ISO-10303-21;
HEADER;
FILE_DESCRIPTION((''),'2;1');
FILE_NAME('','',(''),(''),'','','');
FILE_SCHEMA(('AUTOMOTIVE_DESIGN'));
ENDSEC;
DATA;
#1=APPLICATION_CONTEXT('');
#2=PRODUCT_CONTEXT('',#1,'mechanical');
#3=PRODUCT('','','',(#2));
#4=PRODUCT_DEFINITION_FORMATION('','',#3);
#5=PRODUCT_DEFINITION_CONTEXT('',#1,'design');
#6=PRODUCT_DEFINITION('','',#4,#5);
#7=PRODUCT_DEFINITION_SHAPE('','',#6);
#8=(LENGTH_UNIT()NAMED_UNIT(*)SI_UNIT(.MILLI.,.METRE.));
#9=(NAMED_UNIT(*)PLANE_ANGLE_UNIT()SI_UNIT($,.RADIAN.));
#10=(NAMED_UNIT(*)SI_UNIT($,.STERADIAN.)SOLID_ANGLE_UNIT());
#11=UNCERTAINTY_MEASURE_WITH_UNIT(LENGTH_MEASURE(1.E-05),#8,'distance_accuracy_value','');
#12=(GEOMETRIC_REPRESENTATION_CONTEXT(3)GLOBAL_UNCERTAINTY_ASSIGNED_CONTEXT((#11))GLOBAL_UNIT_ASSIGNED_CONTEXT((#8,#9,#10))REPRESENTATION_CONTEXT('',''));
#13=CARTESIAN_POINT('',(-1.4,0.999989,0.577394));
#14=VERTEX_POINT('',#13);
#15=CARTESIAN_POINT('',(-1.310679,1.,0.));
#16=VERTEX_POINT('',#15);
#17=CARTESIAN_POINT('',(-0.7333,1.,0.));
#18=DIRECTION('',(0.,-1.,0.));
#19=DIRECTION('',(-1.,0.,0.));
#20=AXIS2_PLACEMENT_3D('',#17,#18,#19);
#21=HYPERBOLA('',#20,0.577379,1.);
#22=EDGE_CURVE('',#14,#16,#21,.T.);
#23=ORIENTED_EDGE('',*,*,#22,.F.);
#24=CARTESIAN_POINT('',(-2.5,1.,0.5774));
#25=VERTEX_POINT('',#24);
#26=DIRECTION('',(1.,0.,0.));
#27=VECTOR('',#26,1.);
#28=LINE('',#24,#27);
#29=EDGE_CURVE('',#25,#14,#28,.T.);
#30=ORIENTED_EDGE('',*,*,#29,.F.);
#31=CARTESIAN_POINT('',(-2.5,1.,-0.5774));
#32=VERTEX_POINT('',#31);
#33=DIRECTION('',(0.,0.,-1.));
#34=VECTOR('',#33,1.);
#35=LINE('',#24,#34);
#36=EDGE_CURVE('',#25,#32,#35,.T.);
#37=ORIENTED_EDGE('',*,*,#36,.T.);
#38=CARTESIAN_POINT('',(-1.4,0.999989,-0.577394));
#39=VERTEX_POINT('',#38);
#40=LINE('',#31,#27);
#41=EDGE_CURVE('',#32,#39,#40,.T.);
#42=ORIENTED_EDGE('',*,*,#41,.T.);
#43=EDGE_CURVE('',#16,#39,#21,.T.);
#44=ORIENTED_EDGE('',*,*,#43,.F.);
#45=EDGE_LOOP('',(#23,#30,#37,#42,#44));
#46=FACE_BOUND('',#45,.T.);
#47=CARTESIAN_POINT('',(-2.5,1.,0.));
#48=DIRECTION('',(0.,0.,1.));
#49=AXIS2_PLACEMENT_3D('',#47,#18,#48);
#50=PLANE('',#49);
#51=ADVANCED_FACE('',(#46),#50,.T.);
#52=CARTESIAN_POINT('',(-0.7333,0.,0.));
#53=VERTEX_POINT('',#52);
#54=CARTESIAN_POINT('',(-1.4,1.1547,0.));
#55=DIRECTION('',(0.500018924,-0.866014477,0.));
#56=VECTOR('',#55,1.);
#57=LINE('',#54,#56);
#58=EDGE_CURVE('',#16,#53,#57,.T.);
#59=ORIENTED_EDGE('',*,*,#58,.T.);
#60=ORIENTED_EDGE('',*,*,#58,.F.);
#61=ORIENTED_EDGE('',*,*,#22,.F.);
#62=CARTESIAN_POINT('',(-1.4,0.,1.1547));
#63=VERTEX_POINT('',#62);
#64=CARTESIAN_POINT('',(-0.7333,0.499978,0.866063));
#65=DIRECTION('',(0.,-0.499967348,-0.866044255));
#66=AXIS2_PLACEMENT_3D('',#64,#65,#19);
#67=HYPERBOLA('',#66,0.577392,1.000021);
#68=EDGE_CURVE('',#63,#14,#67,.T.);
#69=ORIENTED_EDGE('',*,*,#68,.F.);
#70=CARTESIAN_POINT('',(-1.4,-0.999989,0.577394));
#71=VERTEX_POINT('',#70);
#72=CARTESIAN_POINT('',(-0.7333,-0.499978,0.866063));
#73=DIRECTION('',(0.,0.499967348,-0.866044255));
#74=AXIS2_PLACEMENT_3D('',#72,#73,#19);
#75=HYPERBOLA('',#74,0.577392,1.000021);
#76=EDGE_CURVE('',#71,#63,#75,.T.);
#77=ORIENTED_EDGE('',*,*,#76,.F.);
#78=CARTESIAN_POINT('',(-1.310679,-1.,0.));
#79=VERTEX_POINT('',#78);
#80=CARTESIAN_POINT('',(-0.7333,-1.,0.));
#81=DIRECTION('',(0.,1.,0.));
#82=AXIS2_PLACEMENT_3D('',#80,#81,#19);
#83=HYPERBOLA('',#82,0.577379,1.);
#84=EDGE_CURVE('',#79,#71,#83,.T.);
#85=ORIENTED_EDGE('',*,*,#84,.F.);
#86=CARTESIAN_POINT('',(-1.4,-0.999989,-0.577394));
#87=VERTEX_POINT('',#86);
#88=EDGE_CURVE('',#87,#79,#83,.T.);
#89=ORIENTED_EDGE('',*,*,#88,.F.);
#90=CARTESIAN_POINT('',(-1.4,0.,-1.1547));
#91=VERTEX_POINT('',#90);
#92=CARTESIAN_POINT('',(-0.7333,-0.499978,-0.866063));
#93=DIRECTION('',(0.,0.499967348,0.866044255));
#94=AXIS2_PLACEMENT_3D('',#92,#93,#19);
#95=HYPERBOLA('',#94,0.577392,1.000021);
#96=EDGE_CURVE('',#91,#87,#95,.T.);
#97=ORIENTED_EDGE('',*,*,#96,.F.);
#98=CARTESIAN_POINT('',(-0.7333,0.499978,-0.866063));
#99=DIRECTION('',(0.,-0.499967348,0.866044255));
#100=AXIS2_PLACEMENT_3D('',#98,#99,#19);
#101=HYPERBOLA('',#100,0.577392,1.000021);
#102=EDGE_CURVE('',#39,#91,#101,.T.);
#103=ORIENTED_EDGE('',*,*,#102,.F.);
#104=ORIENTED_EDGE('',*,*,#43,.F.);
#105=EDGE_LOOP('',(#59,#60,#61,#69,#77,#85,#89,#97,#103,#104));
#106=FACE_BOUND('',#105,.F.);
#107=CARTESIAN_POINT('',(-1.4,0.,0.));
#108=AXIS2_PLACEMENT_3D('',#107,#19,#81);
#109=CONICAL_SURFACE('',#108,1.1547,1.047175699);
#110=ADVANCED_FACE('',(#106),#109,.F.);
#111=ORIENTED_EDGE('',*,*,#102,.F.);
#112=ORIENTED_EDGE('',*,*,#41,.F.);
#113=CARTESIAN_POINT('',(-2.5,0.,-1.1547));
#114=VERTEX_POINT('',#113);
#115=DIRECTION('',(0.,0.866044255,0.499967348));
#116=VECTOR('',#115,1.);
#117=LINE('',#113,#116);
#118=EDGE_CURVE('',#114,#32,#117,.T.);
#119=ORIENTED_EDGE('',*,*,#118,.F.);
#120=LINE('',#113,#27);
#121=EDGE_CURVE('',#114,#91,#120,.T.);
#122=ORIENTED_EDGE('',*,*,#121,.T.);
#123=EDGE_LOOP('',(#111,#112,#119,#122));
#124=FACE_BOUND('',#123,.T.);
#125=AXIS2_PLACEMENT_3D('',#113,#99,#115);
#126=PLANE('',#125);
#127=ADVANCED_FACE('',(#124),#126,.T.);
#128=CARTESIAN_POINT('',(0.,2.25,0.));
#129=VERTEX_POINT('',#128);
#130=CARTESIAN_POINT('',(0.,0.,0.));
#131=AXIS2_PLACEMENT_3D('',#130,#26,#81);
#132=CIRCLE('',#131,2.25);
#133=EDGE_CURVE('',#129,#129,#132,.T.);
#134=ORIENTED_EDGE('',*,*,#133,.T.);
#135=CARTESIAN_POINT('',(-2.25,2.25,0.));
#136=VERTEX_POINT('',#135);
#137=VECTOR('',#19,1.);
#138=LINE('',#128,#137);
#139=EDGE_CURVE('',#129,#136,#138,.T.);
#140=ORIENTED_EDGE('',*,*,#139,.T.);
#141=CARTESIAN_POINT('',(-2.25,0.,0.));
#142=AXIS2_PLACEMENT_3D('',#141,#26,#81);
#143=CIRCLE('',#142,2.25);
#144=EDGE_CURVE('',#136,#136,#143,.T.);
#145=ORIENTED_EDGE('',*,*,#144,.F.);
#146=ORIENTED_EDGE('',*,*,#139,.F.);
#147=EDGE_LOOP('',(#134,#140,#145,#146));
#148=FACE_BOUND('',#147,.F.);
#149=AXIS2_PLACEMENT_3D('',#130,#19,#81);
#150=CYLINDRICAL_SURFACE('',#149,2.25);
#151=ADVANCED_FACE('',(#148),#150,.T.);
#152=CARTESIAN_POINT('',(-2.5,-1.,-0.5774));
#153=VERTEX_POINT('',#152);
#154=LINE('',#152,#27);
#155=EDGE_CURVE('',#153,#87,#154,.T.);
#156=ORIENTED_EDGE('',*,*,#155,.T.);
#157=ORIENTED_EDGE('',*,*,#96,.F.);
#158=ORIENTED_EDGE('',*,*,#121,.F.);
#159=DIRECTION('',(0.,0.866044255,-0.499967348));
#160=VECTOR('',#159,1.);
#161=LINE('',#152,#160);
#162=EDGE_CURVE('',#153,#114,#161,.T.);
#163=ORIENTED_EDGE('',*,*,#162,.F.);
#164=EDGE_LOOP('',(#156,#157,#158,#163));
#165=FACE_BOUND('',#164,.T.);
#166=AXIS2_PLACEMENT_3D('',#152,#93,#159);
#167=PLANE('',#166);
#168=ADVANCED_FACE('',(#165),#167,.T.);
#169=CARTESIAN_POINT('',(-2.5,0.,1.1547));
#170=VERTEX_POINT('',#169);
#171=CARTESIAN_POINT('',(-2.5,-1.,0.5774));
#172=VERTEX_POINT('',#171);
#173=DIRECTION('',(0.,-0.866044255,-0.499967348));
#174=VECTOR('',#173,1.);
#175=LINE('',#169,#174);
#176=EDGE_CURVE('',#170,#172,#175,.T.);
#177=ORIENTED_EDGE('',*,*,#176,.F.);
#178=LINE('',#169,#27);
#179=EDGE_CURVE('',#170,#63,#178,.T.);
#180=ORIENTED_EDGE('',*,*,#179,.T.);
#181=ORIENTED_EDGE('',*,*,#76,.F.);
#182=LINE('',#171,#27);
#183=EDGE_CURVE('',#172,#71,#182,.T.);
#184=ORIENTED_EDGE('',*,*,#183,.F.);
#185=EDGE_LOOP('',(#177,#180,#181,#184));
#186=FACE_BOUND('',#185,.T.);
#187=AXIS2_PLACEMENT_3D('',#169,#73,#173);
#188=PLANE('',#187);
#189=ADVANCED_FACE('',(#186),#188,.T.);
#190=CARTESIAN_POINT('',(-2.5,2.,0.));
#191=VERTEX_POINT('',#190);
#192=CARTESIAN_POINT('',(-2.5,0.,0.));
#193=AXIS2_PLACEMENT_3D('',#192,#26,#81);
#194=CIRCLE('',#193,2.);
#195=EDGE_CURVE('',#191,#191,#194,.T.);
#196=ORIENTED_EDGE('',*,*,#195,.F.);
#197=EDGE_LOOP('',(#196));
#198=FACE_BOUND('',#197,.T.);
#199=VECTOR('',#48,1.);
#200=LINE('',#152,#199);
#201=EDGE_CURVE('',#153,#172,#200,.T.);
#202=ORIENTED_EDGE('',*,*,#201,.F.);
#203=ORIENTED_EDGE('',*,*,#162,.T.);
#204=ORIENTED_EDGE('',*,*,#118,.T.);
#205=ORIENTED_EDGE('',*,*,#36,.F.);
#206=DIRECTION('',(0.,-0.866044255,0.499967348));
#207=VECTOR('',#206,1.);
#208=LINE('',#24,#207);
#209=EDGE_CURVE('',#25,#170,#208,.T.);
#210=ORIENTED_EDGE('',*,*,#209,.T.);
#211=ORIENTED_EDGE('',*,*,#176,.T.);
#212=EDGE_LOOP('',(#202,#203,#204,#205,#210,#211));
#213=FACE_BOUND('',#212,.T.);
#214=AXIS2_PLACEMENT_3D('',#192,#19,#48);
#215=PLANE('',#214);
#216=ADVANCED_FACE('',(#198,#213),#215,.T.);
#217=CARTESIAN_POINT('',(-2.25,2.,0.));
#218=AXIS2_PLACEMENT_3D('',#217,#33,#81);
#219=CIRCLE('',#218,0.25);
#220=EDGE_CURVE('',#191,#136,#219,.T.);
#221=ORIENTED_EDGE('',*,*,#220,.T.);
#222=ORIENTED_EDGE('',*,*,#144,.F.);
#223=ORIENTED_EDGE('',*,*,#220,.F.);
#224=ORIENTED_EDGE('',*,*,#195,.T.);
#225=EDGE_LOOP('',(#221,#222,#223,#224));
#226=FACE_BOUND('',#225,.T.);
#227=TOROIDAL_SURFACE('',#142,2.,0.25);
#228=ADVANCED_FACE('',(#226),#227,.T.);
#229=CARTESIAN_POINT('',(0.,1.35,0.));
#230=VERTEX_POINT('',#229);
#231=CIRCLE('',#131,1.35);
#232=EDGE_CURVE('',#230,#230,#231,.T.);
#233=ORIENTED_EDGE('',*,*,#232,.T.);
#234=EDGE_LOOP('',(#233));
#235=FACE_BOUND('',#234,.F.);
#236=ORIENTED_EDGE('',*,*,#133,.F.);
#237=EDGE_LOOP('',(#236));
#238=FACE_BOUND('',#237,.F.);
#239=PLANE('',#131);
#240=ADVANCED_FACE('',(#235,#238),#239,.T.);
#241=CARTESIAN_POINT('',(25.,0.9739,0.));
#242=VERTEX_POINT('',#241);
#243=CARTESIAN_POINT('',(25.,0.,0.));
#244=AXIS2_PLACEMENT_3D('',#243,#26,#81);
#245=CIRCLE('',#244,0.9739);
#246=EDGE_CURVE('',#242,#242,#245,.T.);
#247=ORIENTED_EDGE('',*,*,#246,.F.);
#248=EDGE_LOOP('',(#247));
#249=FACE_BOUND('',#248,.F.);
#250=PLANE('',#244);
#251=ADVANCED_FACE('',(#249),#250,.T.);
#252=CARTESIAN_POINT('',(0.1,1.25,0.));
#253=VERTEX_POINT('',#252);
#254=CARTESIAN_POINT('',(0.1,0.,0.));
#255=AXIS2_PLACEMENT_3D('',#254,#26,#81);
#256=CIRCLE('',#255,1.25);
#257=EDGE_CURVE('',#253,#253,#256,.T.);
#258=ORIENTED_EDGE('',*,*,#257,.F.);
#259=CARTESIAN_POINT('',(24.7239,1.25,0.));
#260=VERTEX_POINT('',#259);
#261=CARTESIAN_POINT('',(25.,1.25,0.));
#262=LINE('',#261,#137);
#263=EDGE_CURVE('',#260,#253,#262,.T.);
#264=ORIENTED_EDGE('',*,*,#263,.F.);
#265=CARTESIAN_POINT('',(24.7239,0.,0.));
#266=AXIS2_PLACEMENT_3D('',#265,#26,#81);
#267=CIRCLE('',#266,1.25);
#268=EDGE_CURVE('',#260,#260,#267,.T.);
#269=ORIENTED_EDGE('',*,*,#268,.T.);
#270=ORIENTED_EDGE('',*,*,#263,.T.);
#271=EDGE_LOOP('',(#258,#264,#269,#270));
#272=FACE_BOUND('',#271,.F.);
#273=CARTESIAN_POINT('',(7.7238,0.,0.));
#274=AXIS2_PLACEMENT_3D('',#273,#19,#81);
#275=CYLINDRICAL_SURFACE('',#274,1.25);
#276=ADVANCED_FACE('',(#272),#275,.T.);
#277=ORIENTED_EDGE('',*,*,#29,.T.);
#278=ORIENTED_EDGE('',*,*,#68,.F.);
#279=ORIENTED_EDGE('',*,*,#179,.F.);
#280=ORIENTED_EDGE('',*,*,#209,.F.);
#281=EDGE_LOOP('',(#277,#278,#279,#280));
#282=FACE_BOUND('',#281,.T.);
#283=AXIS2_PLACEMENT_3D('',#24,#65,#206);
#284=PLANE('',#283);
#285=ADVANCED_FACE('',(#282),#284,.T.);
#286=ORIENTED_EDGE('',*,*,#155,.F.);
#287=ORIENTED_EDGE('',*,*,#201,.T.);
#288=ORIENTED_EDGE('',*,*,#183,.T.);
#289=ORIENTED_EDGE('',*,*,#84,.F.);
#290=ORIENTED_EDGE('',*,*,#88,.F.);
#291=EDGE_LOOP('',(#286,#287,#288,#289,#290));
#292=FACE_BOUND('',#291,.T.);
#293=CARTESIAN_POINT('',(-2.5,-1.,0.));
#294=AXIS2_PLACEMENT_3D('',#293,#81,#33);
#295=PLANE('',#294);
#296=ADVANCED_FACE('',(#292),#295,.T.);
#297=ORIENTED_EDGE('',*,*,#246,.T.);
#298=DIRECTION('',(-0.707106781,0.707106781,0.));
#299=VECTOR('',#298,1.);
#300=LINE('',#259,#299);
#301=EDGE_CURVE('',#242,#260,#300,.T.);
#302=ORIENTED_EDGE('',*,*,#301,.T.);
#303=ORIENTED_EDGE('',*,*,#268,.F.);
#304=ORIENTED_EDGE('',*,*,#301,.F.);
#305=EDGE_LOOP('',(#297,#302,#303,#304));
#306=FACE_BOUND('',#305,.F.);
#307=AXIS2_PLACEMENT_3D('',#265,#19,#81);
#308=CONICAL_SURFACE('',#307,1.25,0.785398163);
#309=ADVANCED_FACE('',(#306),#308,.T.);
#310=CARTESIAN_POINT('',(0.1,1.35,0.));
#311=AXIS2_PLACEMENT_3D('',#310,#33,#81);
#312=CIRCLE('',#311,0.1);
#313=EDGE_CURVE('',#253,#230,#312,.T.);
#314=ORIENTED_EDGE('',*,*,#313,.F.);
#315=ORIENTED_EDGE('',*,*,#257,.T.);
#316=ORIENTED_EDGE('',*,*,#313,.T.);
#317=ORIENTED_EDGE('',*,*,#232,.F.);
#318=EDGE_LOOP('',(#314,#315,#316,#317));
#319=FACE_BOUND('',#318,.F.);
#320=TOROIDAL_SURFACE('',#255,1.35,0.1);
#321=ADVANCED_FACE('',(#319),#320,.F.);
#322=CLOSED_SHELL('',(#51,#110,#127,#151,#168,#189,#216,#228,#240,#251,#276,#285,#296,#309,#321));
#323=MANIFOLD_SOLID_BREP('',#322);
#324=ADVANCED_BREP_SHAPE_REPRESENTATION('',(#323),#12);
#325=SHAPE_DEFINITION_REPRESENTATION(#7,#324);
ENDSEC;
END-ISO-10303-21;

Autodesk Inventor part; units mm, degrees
ref_plane "YZ Plane" through (0, 0, 0) normal (1, 0, 0) x (0, 1, 0)
ref_plane "XZ Plane" through (0, 0, 0) normal (0, 1, 0) x (-1, 0, 0)
sketch "Skizze1" plane through (0, 0, 0) normal (0, 0, 1) x (1, 0, 0)
  line L0 (-0.7333, 0) -> (25, 0)
  line L1 (25, 0) -> (25, 1.25)
  line L2 (25, 1.25) -> (8, 1.25)
  line L3 (8, 1.25) -> (7.7238, 1.25)
  line L4 (7.7238, 1.25) -> (0, 1.25)
  line L5 (0, 1.25) -> (0, 2.25)
  line L6 (0, 2.25) -> (-2.5, 2.25)
  line L7 (-2.5, 2.25) -> (-2.5, 1.1547)
  line L8 (-2.5, 1.1547) -> (-1.4, 1.1547)
  line L9 (-1.4, 1.1547) -> (-0.7333, 0)
  line L10 (-8, 0) -> (30.5, 0) projected
  line L11 (0, -0.45) -> (0, 2.7) projected
  line L12 (8, 1.25) -> (0, 1.25) construction
  dimension "d1" = 17
  dimension "d2" = 0.2762
  dimension "d3" = 2.5
  dimension "d4" = 1.1
  dimension "d5" = 60
  dimension "d6" = 2.5
  dimension "d7" = 2.5
  dimension "d8" = 2.3094
  dimension "d9" = 4.5
  dimension "d26" = 25
revolve "Körper" add sketch "Skizze1" angle 360 about axis through (-0.7333, 0, 0) along (1, 0, 0)
sketch "Skizze2" plane through (-2.5, 0, 0) normal (-1, 0, 0) x (0, 0, 1)
  circle A0 centre (0, 0) radius 1.1547 projected
  line L0 (0, -3.15) -> (0, 3.15) projected
  line L1 (-3.15, 0) -> (3.15, 0) projected
  line L2 (1.1547, 0) -> (0.5774, -1)
  line L3 (0.5774, -1) -> (-0.5774, -1)
  line L4 (-0.5774, -1) -> (-1.1547, 0)
  line L5 (-1.1547, 0) -> (-0.5774, 1)
  line L6 (-0.5774, 1) -> (0.5774, 1)
  line L7 (0.5774, 1) -> (1.1547, 0)
extrude "Loch" add sketch "Skizze2" against normal up to next contours L7 A0 | A0 L2 | L6 L0 A0 | A0 L0 L3 | L0 L6 A0 | A0 L3 L0 | L4 A0 | A0 L5
fillet "Rundung1" radius 0.25 1 edges at (-2.5, -2.25, 0)
thread "Gewinde" size "M2.5x0.45" class "6g" standard "ISO Metric profile" length 17
chamfer "Fase1" distance 0.2761 distance2 0.2761 1 edges at (25, -1.25, 0) measured on face at (25, -0.731, -0.331)
ref_plane "Work Plane1" through (29, 0, 0) normal (0, -1, 0) x (1, 0, 0)
fillet "Fillet2" radius 0.1 1 edges at (0, -1.25, 0)
equation "\"d1\" = GEL"
equation "\"d3\" = KOH"
equation "\"d4\" = INTI"
equation "\"d6\" = GD"
equation "\"d7\" = BDM"
equation "\"d8\" = 1.1547 * SW"
equation "\"d9\" = KOD"
equation "\"d26\" = NLG"
equation "\"d30\" = R"
equation "\"d17\" = RR"
equation "\"d13\" = GEL"
equation "\"d15\" = -0.5 * SPD + 0.5 * GD"
equation "\"d16\" = GUL"
equation "\"GD\" = 2.5"
equation "\"NLG\" = 25"
equation "\"GEL\" = 17"
equation "\"KOD\" = 4.5"
equation "\"KOH\" = 2.5"
equation "\"INTI\" = 1.1"
equation "\"GAL\" = 0.61345 * PTC"
equation "\"GUL\" = 0.61345 * PTC"
equation "\"BDM\" = NND"
equation "\"SW\" = 2"
equation "\"RR\" = 0.25"
equation "\"SPD\" = NND - 1.2269 * PTC"
equation "\"R\" = 0.1"
equation "\"TOA\" = 30deg"
equation "\"GD1\" = THREADDIA - 1.2269 * PTC"
equation "\"THREADDIA\" = 2.5"
equation "\"FAWI\" = 45deg"
equation "\"PTC\" = 0.45"
equation "\"NND\" = 2.5"
equation "\"E0\" = 1.155 * SW"
properties part number "ISO 4762 - M2.5 x 25" material "Edelstahl, 440C"
